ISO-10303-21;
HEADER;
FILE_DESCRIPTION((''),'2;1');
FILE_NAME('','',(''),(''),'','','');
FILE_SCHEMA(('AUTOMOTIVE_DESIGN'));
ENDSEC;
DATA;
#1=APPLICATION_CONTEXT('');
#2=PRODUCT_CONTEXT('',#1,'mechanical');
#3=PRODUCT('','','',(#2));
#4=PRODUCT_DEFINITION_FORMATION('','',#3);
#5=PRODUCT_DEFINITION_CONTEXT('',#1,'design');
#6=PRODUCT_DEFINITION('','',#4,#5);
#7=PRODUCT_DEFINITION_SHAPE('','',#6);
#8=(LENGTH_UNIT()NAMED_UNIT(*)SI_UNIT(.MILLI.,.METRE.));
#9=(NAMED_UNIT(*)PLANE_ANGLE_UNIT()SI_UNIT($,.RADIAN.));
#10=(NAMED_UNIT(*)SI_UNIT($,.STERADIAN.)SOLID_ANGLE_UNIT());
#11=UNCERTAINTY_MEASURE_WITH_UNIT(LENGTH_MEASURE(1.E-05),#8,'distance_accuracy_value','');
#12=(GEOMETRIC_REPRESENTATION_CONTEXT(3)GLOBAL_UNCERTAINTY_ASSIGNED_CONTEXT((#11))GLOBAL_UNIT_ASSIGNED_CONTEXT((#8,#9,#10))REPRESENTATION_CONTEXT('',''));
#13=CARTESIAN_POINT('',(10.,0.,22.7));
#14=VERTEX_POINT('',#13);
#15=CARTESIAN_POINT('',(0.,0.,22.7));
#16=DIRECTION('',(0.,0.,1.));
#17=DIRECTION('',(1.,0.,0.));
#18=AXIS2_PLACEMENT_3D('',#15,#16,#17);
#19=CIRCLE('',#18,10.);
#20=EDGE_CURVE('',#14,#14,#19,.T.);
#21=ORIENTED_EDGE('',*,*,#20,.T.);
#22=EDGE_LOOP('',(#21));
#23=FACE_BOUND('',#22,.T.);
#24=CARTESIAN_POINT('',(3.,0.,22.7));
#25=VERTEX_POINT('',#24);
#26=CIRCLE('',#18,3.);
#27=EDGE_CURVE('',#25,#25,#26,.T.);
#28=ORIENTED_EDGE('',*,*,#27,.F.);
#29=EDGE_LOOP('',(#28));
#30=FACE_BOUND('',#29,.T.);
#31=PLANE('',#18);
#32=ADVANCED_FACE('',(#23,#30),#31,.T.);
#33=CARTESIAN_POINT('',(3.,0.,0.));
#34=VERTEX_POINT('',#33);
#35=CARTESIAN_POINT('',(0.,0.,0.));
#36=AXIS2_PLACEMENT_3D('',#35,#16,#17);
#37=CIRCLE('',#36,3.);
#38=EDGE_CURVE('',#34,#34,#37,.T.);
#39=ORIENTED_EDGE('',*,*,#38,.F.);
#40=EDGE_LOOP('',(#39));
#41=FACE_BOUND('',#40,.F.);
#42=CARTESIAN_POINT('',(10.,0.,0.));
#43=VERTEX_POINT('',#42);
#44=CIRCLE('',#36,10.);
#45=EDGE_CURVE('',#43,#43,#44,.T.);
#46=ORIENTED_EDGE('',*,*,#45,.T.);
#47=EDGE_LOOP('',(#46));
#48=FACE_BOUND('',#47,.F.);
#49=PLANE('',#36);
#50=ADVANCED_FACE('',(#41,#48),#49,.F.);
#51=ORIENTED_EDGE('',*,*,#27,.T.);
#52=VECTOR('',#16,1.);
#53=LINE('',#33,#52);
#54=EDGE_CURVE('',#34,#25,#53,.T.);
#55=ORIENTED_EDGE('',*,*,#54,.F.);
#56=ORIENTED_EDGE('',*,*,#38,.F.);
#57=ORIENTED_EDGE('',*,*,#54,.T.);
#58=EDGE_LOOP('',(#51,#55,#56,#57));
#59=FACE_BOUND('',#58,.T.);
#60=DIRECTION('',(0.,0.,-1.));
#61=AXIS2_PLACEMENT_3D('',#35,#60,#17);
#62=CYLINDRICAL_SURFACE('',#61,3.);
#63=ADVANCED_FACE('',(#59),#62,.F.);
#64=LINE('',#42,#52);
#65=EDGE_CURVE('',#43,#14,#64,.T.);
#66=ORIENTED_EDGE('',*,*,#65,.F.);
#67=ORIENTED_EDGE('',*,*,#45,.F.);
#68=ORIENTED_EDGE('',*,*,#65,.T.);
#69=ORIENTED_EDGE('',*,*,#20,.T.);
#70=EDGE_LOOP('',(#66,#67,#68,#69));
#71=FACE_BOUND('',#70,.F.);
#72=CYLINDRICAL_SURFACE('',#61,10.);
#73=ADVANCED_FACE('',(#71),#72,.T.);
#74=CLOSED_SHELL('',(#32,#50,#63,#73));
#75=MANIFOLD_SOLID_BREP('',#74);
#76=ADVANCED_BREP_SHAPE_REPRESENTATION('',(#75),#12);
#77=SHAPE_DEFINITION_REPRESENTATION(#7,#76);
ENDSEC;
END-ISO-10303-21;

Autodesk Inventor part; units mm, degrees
ref_plane "YZ Plane" through (0, 0, 0) normal (1, 0, 0) x (0, 1, 0)
ref_plane "XZ Plane" through (0, 0, 0) normal (0, 1, 0) x (-1, 0, 0)
ref_plane "XY Plane" through (0, 0, 0) normal (0, 0, 1) x (1, 0, 0)
sketch "Sketch1" plane through (0, 0, 0) normal (0, 0, 1) x (1, 0, 0)
  circle A0 centre (0, 0) radius 10
  circle A1 centre (0, 0) radius 3
  dimension "d0" = 6
  dimension "d1" = 20
extrude "Extrusion1" add sketch "Sketch1" along normal blind 22.7
properties part number "403-coupler dummy"
